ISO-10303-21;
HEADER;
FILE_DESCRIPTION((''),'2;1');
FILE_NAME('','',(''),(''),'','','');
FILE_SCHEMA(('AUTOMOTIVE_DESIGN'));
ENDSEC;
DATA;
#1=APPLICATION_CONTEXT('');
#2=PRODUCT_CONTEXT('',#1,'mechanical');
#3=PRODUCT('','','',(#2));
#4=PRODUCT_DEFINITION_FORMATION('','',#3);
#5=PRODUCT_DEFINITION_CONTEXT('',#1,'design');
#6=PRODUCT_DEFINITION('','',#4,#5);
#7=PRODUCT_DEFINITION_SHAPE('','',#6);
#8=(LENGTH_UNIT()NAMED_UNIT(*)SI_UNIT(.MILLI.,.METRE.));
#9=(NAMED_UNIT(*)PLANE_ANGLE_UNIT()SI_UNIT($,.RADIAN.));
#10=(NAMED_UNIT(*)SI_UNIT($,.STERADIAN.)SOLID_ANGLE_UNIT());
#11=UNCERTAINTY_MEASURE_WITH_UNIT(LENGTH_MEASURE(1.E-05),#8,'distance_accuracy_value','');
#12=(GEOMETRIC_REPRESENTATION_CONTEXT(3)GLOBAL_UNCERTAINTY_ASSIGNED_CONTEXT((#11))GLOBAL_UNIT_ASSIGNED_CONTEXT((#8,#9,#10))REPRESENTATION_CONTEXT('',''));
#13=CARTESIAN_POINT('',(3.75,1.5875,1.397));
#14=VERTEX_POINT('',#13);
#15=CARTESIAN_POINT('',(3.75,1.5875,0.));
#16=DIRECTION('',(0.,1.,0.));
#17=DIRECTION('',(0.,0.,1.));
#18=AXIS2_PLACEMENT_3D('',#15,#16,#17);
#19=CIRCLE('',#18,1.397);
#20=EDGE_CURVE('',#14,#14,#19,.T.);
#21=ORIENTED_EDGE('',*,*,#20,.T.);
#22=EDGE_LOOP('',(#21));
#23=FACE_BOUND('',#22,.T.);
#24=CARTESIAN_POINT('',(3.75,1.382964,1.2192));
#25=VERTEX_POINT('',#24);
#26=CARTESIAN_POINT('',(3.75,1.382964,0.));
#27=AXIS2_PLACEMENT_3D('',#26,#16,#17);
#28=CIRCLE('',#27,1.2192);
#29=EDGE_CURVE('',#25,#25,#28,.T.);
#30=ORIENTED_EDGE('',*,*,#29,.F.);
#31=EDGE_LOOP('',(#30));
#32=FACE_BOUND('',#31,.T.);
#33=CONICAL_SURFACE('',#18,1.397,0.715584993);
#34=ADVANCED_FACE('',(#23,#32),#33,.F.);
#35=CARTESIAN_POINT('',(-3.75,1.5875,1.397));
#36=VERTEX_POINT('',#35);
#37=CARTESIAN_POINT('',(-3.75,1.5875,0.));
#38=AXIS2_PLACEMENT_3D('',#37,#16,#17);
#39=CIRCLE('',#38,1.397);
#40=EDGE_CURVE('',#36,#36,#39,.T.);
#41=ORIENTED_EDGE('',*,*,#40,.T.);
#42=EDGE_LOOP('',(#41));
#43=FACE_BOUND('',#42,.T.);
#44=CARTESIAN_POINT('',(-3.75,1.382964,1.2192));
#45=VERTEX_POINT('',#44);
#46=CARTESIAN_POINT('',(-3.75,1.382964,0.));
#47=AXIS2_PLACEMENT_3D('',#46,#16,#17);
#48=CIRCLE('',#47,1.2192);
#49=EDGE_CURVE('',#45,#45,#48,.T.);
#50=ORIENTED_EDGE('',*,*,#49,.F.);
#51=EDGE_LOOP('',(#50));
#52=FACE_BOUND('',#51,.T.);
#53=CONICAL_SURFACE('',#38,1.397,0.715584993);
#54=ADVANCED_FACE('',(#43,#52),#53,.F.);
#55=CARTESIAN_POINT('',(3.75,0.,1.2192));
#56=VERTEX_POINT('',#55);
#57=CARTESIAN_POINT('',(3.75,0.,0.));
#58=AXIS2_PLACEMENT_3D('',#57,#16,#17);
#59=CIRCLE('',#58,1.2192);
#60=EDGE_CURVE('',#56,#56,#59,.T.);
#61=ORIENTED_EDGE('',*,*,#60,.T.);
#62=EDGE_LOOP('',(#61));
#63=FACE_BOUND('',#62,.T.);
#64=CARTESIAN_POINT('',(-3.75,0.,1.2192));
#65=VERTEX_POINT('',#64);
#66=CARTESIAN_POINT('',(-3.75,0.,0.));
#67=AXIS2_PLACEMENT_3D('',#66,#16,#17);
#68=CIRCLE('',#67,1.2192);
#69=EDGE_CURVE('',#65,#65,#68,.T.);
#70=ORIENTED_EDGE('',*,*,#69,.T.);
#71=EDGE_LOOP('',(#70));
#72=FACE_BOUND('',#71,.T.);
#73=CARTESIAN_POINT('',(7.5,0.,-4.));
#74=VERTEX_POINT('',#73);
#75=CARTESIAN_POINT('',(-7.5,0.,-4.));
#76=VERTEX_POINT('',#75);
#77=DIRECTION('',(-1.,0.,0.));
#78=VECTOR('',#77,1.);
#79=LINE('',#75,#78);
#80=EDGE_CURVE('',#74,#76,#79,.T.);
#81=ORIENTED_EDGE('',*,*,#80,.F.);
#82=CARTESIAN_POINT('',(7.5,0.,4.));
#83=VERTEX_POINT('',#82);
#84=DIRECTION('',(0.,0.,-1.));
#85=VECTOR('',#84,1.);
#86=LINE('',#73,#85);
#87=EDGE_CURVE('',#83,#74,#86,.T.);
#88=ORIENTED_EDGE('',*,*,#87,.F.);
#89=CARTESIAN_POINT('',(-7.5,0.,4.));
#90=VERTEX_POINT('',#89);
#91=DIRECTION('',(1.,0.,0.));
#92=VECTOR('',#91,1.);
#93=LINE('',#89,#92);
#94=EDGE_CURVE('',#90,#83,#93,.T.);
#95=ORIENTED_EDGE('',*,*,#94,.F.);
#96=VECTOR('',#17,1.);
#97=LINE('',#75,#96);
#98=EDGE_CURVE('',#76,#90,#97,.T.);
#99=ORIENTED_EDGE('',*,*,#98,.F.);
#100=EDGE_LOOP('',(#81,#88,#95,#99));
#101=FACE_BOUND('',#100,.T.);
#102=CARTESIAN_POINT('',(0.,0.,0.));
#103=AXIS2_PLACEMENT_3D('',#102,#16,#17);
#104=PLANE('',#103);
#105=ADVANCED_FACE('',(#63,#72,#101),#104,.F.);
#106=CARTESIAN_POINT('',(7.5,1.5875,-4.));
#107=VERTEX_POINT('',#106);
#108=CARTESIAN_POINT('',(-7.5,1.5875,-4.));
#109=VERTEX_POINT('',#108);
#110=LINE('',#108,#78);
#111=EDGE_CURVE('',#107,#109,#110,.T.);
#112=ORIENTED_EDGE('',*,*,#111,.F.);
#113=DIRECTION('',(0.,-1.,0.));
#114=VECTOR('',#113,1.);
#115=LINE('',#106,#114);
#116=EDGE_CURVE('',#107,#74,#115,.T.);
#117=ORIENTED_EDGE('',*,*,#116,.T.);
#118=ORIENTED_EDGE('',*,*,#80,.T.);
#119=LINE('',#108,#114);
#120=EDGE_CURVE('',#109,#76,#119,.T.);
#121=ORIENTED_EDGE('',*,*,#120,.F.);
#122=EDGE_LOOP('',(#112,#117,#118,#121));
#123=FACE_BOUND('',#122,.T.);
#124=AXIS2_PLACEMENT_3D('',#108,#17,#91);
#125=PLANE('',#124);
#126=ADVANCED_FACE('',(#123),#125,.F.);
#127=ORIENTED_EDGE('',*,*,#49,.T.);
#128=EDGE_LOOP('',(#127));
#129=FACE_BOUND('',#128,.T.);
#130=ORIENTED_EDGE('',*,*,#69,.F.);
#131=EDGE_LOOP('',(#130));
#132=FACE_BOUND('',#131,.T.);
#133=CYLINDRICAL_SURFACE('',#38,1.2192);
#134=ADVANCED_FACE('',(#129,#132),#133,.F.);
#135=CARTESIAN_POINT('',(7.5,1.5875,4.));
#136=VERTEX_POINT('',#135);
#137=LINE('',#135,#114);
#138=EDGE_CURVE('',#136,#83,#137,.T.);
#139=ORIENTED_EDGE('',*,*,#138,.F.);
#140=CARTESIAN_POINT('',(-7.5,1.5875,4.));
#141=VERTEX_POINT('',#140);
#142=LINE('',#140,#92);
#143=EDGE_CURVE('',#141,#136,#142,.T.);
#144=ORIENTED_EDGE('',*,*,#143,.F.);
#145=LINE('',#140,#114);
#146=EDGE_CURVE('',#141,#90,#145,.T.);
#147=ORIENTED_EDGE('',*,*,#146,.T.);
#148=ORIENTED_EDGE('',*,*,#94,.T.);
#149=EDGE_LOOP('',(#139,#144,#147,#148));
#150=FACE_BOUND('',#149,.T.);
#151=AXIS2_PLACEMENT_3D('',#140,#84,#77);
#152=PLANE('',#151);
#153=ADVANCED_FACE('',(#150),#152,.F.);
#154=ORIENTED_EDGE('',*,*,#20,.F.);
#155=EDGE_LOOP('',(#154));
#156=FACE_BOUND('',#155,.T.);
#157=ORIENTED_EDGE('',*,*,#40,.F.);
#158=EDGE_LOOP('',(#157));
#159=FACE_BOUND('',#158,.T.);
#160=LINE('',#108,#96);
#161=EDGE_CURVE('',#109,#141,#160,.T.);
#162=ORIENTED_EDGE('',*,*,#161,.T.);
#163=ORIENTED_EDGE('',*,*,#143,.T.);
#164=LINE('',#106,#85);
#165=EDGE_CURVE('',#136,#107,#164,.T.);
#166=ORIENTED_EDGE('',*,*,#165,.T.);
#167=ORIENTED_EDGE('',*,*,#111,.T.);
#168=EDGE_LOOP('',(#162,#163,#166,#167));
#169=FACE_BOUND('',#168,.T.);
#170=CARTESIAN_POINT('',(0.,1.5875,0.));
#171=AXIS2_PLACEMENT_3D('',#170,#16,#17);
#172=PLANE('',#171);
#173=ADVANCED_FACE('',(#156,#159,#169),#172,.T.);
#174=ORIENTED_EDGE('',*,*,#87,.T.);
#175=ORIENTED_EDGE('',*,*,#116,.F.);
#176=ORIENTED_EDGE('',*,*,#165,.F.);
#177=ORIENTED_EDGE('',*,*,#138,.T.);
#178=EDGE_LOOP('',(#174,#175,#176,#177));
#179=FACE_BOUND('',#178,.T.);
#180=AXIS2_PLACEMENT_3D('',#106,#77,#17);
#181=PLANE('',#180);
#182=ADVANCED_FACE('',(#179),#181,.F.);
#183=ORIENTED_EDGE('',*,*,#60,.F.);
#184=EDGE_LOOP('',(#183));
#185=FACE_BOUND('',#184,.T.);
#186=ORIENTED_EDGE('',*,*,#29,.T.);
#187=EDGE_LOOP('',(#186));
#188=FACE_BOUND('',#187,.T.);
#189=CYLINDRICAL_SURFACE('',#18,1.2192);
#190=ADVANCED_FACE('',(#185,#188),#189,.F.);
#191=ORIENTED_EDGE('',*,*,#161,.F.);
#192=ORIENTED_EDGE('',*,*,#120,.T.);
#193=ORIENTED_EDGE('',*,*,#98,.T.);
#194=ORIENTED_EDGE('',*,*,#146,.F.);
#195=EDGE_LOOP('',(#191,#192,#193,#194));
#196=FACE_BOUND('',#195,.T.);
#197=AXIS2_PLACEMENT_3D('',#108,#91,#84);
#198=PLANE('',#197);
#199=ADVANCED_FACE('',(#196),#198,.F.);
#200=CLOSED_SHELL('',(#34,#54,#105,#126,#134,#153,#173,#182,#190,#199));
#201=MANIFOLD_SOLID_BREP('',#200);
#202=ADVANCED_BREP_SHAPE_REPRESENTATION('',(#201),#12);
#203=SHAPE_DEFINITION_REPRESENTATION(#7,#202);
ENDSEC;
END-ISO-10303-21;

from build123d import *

# Parameters (mm, degrees)
SKETCH1_W                       = 15
SKETCH1_H                       = 8
BOSS_EXTRUDE1_DEPTH             = 1.5875
F_2_CLEARANCE_HOLE1_D           = 2.4384
F_2_CLEARANCE_HOLE1_DEPTH       = 64.75
F_2_CLEARANCE_HOLE1_CSINK_D     = 2.794
F_2_CLEARANCE_HOLE1_CSINK_ANGLE = 82
F_2_CLEARANCE_HOLE1_TIP         = 0.732569267


with BuildPart() as part:
    # Sketch1 → Boss-Extrude1 (new body)
    with BuildSketch(Plane(origin=(0, 0, 0), x_dir=(1, 0, 0), z_dir=(0, 1, 0))):
        Rectangle(SKETCH1_W, SKETCH1_H)
    extrude(amount=BOSS_EXTRUDE1_DEPTH)

    # #2 Clearance Hole1
    with Locations(Plane(origin=(0, 1.5875, 0), x_dir=(1, 0, 0), z_dir=(0, 1, 0))):
        with Locations((-3.75, 0), (3.75, 0)):
            CounterSinkHole(F_2_CLEARANCE_HOLE1_D / 2, F_2_CLEARANCE_HOLE1_CSINK_D / 2, depth=F_2_CLEARANCE_HOLE1_DEPTH, counter_sink_angle=F_2_CLEARANCE_HOLE1_CSINK_ANGLE)
            with Locations((0, 0, -(F_2_CLEARANCE_HOLE1_DEPTH + F_2_CLEARANCE_HOLE1_TIP / 2))):  # 118° drill point
                Cone(0, F_2_CLEARANCE_HOLE1_D / 2, F_2_CLEARANCE_HOLE1_TIP, mode=Mode.SUBTRACT)


solid = part.part
